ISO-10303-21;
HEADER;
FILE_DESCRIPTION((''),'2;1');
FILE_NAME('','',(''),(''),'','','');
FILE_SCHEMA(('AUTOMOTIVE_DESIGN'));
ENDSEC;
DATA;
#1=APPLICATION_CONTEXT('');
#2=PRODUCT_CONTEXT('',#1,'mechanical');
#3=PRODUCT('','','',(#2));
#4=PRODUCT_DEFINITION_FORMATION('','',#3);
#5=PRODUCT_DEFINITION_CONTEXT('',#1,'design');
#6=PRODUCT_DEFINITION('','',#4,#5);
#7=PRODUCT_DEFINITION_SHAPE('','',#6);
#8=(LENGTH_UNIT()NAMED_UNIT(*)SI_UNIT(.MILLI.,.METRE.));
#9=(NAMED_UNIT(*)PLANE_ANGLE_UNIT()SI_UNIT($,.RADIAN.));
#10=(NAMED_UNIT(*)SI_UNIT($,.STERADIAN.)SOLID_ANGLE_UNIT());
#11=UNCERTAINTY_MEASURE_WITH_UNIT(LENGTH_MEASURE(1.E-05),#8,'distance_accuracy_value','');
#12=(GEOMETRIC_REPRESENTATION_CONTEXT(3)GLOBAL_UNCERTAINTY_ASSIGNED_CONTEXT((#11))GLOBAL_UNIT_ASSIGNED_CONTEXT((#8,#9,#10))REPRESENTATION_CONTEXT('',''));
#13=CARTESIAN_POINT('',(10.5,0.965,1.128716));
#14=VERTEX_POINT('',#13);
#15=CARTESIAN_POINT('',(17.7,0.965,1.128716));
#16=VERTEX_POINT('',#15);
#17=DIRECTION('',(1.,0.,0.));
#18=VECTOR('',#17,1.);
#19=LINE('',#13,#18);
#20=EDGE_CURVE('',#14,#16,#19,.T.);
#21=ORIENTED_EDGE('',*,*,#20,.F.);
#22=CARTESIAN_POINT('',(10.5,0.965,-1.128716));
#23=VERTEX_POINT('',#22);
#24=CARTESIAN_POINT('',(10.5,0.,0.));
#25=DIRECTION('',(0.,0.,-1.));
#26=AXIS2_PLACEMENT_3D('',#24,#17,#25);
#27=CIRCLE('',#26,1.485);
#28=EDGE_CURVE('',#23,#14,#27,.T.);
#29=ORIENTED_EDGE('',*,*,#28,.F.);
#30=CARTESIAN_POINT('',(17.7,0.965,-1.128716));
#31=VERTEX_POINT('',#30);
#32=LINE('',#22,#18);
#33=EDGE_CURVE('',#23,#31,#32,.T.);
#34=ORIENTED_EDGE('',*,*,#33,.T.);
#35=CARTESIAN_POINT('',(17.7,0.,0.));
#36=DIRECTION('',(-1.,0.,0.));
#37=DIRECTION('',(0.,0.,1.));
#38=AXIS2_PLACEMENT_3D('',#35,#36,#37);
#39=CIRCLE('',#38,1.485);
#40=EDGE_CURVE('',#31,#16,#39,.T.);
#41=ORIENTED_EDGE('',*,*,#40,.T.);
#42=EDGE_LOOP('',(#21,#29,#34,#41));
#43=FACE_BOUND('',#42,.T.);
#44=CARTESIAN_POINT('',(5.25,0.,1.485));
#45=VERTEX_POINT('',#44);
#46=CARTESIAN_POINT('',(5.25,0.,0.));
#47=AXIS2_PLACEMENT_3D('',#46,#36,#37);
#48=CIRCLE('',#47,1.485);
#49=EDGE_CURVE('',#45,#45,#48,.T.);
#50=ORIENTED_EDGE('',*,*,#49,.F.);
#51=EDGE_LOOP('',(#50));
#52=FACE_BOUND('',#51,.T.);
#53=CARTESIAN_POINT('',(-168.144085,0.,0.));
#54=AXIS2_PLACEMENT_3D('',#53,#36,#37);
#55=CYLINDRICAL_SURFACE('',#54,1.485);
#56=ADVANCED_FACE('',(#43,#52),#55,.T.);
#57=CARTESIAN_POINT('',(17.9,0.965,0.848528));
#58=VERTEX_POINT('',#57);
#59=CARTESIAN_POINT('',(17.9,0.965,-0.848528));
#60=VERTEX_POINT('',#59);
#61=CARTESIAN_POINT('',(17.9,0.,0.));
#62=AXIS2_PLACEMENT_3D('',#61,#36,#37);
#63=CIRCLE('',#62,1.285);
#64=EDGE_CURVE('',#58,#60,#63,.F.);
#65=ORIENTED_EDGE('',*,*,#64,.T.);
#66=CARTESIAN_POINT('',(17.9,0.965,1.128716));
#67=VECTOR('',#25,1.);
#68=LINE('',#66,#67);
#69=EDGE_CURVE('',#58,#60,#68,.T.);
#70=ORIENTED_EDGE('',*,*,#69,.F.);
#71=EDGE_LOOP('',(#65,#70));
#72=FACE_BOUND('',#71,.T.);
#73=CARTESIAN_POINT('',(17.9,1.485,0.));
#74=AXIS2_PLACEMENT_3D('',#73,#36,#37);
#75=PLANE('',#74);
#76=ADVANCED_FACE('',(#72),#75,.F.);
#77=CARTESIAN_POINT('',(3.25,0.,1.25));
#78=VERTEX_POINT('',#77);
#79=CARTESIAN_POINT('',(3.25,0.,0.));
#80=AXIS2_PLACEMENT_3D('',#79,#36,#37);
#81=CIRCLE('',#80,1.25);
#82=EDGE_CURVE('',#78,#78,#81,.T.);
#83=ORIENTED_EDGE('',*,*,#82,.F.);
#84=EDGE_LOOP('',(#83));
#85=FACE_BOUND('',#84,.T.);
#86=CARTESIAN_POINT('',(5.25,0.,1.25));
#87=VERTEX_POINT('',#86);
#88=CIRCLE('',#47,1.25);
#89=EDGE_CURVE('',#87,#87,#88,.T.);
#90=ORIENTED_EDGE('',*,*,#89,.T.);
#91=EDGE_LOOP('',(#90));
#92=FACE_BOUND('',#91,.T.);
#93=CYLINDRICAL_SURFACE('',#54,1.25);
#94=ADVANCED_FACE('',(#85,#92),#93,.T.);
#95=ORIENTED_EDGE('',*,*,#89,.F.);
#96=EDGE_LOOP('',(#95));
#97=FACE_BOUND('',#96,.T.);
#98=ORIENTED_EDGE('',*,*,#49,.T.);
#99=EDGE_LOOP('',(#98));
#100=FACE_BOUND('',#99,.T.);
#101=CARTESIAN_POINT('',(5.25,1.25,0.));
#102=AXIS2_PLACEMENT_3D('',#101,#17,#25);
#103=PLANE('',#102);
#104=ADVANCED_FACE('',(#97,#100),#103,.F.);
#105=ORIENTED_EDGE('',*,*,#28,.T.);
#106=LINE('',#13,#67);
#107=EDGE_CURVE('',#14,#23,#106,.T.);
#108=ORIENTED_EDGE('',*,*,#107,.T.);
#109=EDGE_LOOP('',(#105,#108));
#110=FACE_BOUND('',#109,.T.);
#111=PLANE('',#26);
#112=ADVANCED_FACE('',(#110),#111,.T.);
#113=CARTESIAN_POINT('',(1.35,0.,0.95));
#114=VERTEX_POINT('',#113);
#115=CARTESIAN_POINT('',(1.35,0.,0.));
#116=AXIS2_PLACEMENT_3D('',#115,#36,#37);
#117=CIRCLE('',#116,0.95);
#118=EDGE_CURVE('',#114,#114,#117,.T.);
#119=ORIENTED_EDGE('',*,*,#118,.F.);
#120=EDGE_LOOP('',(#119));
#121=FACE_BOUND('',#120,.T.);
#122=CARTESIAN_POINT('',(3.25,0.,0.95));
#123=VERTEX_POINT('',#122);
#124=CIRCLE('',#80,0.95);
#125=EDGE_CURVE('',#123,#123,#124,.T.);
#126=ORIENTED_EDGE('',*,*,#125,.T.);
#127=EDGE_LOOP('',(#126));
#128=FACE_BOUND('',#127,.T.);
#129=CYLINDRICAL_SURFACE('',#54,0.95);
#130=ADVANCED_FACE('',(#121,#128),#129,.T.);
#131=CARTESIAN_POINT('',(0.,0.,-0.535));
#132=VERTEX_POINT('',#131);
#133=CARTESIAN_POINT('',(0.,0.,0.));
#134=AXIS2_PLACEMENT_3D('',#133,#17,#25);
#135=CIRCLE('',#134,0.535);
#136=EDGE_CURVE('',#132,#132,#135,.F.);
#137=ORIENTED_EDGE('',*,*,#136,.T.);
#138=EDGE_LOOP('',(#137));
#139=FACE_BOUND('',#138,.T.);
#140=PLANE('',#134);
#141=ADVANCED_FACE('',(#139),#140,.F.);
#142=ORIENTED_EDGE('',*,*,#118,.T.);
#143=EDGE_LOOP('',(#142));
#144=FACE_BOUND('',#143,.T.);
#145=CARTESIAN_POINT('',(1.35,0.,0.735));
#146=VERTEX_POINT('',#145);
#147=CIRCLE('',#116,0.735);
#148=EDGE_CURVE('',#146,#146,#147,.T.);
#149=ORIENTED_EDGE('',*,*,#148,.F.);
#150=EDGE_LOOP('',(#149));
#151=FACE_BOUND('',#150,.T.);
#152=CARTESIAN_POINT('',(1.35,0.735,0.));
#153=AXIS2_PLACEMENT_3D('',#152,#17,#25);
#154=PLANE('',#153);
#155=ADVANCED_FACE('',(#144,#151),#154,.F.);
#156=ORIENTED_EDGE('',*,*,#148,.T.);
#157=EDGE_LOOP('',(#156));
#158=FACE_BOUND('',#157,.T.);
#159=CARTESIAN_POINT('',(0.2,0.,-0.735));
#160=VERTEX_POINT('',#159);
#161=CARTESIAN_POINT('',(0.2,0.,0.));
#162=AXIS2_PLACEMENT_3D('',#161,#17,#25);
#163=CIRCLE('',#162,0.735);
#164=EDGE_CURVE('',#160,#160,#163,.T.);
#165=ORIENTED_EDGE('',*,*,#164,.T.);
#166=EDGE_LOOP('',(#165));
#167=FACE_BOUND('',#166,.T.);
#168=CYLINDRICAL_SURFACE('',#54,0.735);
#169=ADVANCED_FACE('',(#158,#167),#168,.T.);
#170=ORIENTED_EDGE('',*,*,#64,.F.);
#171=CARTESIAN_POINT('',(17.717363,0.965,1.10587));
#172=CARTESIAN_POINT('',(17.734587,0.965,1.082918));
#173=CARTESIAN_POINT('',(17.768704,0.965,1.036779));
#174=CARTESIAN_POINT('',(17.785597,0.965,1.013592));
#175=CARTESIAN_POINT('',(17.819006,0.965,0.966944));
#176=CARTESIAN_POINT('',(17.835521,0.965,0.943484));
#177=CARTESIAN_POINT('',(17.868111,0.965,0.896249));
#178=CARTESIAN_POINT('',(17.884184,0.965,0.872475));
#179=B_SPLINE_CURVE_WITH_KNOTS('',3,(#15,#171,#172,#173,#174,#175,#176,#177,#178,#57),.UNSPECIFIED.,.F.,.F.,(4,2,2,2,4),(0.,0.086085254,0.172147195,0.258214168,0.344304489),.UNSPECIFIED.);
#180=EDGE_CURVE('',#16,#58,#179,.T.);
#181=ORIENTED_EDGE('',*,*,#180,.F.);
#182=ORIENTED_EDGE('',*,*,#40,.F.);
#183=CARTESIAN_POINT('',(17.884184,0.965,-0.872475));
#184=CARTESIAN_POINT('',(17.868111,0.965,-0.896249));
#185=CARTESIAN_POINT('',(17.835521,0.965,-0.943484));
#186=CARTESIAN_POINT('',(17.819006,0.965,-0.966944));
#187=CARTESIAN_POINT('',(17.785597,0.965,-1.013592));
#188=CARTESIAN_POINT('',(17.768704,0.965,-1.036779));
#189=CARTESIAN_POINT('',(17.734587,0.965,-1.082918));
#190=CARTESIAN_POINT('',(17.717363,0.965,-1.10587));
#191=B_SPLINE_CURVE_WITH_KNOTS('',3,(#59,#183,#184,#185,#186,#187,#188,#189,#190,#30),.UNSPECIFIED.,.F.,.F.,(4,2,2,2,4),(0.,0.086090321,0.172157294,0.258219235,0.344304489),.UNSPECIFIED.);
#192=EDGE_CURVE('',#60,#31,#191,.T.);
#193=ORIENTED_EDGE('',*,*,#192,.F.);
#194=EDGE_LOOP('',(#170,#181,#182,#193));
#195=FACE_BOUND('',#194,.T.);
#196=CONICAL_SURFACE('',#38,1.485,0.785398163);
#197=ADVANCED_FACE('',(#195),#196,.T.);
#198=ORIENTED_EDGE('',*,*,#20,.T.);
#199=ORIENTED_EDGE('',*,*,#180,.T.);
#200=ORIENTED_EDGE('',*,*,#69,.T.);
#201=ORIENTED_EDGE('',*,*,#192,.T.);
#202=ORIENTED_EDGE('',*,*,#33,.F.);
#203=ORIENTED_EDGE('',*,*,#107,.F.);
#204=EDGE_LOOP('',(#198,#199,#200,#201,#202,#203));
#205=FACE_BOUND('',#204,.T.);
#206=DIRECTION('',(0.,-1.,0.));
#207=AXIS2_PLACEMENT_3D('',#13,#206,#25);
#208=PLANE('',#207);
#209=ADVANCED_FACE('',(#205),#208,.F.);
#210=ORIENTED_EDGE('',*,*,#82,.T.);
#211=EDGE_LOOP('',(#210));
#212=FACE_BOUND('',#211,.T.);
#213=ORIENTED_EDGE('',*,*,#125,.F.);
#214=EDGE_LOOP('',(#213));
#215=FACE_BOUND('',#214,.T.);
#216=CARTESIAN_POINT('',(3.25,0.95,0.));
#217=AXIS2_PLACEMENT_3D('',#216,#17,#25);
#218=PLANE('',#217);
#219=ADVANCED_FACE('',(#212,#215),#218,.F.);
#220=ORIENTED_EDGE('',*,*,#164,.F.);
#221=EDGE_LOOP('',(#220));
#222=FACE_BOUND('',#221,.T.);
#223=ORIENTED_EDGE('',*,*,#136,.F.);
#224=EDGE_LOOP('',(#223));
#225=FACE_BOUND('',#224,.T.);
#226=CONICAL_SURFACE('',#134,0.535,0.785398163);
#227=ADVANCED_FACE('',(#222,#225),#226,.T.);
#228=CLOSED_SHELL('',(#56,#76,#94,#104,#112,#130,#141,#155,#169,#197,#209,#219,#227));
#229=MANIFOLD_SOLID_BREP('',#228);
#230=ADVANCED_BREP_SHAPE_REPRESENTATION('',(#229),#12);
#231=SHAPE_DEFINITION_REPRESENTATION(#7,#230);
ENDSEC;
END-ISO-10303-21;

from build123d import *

# Parameters (mm, degrees)
CUT_EXTRUDE1_DEPTH = 7.4
CHAMFER1_SIZE      = 0.2


with BuildPart() as part:
    # Sketch1 → Revolve1 (revolve)
    with BuildSketch(Plane.XY, mode=Mode.PRIVATE) as revolve1_sk:
        Polygon((0, 0), (0, 0.735), (1.35, 0.735), (1.35, 0.95), (3.25, 0.95), (3.25, 1.25), (5.25, 1.25), (5.25, 1.485), (17.9, 1.485), (17.9, 0), align=None)
    revolve(revolve1_sk.sketch.rotate(Axis((-168.144085486, 0, 0), (1, 0, 0)), 90), axis=Axis((-168.144085486, 0, 0), (1, 0, 0)))

    # Sketch3 → Cut-Extrude1 (cut)
    with BuildSketch(Plane(origin=(17.9, 0, 0), x_dir=(0, 0, -1), z_dir=(1, 0, 0))):
        with BuildLine():
            Line((-1.128716085, 0.965), (1.128716085, 0.965))
            ThreePointArc((1.128716085, 0.965), (0, 1.485), (-1.128716085, 0.965))
        make_face()
    extrude(amount=-CUT_EXTRUDE1_DEPTH, mode=Mode.SUBTRACT)

    # Chamfer1
    chamfer1_edges = [part.edges().sort_by_distance(p)[0] for p in [
        (0, 0, -0.735),
        (17.9, -1.393084417, -0.514335306),
    ]]
    chamfer(chamfer1_edges, length=CHAMFER1_SIZE)


solid = part.part
